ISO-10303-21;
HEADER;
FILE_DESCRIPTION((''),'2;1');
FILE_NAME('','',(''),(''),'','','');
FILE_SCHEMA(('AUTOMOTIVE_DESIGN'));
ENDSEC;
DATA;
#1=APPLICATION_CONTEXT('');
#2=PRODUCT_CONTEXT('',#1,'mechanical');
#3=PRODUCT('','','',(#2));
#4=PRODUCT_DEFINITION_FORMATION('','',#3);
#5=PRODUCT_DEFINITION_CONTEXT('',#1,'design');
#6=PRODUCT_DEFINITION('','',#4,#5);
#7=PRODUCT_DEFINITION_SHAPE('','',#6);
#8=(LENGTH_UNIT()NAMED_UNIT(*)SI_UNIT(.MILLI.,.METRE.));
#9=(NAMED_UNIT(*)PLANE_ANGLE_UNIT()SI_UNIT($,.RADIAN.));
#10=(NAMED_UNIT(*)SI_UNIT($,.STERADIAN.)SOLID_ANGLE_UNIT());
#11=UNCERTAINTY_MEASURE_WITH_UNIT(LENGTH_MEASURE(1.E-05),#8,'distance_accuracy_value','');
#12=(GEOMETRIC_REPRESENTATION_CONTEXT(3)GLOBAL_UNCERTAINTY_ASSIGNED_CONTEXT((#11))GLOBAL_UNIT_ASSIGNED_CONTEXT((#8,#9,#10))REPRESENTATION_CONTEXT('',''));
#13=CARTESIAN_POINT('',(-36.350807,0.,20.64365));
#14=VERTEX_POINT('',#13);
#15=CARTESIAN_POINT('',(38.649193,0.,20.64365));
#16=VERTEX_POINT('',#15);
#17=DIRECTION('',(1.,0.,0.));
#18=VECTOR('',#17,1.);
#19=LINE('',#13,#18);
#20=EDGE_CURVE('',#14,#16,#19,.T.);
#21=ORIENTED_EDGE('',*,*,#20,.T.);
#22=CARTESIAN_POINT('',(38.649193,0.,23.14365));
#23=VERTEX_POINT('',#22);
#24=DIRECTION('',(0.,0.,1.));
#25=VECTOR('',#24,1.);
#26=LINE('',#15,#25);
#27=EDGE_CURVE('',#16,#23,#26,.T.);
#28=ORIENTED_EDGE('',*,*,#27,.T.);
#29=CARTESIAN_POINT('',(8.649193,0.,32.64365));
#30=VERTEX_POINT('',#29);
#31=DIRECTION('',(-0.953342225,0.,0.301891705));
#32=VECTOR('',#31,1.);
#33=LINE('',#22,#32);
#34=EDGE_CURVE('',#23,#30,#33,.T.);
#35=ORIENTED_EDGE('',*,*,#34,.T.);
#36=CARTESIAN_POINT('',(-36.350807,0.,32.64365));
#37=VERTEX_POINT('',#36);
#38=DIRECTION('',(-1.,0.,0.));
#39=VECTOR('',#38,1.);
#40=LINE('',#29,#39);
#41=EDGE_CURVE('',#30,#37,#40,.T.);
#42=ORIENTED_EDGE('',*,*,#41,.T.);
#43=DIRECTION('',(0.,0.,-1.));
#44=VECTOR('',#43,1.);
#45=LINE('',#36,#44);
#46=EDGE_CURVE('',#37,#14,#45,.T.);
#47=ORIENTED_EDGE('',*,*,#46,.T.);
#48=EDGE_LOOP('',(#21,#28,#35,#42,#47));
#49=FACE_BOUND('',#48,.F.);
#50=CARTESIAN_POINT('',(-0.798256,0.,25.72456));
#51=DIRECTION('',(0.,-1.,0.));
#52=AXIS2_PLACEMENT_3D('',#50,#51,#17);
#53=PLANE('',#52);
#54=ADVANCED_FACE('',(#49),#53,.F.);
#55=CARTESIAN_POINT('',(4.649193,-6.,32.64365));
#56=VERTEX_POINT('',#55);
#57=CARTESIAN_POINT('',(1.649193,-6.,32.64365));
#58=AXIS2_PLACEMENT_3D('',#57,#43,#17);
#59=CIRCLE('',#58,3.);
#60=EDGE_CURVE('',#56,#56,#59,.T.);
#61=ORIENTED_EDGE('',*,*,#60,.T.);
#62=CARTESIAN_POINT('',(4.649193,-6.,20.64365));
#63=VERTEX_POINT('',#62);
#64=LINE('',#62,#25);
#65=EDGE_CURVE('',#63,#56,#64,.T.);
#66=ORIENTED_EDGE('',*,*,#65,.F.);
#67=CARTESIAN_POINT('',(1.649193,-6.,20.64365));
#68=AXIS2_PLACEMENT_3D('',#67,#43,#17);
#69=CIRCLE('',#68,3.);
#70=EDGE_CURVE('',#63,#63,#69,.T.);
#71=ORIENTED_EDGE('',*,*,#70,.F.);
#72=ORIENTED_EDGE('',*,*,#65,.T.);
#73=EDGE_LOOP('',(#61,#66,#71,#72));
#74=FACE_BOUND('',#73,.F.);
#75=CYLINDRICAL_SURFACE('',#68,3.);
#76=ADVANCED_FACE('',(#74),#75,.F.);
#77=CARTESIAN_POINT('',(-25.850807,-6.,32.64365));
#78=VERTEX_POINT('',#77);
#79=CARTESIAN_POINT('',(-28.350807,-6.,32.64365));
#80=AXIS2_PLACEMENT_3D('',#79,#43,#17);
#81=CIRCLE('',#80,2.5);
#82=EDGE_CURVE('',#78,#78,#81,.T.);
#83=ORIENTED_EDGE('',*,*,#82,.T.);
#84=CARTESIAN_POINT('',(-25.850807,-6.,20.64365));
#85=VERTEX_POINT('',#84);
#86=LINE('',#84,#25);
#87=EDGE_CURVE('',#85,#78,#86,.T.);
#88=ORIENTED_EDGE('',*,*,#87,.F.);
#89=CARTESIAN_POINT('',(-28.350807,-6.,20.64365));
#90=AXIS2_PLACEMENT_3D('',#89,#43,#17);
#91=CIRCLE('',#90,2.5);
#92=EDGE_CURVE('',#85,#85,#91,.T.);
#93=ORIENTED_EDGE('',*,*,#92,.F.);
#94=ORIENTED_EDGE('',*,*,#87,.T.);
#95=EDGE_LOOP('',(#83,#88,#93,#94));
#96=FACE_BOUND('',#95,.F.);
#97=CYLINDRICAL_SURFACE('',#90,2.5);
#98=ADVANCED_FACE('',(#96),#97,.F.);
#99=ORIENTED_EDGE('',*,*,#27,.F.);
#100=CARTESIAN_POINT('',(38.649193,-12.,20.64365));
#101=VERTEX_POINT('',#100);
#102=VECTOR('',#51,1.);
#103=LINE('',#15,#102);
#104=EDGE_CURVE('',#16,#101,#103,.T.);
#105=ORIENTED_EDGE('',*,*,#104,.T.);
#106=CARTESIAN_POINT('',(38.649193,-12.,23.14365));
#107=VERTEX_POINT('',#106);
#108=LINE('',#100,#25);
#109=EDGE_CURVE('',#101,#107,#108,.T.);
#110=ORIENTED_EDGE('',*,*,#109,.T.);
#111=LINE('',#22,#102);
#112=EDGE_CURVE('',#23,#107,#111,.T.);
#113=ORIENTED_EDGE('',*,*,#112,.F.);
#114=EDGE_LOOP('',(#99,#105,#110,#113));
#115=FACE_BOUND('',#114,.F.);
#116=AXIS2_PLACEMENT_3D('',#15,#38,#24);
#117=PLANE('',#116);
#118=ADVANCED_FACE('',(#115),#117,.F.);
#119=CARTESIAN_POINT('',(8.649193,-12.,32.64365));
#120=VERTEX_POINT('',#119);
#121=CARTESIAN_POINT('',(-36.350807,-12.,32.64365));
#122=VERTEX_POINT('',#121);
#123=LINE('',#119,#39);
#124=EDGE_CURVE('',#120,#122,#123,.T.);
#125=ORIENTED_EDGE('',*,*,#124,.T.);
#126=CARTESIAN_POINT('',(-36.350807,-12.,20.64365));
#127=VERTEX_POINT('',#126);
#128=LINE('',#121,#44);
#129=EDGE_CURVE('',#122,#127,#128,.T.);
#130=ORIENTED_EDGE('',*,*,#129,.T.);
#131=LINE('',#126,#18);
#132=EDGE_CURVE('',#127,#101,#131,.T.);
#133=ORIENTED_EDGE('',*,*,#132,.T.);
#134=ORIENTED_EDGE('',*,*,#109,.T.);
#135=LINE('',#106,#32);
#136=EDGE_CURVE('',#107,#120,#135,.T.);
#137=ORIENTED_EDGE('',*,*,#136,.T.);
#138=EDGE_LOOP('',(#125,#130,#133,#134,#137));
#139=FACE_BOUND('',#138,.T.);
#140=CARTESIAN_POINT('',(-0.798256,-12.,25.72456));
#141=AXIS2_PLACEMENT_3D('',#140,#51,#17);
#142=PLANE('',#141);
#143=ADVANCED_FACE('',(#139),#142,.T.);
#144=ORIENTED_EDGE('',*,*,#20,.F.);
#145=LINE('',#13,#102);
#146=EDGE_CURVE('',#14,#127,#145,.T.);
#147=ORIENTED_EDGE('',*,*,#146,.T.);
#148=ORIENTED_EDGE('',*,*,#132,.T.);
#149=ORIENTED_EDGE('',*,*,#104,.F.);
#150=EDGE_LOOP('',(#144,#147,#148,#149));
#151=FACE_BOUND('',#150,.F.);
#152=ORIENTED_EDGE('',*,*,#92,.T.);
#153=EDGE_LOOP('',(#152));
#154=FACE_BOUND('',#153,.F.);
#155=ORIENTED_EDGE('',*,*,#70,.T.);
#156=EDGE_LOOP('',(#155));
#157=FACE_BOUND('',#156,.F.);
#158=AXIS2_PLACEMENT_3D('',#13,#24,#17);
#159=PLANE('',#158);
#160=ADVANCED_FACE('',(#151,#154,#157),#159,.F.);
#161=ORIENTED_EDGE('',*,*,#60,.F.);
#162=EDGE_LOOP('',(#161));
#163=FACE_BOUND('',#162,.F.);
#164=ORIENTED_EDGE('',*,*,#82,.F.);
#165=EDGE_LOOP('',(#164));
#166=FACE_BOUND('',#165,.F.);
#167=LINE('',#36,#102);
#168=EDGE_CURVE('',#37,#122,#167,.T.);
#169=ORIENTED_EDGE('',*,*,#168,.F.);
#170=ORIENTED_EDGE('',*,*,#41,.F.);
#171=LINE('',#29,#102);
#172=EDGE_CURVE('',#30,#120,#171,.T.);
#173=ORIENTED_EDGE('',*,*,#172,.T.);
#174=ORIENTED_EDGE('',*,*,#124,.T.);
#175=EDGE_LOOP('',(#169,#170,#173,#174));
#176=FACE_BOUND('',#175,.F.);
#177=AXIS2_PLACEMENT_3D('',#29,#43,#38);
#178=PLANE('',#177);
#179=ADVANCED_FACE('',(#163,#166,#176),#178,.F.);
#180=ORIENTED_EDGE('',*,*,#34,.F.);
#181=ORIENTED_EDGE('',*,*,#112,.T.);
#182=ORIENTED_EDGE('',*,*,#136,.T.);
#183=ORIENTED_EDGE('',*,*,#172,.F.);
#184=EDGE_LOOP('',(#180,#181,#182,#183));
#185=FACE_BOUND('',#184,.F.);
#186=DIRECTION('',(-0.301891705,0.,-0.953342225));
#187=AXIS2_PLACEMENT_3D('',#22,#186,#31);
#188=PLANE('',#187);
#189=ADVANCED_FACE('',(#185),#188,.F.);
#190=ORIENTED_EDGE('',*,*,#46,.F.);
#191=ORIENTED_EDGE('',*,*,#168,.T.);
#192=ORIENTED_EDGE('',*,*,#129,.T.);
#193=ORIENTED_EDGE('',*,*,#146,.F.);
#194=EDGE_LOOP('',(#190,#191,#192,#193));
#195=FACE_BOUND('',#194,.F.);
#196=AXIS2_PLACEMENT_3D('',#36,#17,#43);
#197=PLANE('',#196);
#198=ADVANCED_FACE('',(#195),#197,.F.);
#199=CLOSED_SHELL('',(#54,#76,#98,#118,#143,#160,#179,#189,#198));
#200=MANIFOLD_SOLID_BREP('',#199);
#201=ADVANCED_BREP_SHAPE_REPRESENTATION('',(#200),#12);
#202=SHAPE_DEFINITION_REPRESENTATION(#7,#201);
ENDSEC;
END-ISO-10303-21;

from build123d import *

# Parameters (mm, degrees)
F1_DEPTH = 12
F2_R     = 3
F3_DEPTH = 25
F4_R     = 2.5
F5_DEPTH = 25


with BuildPart() as f1:
    # F0 (on Front) → F1 (new body)
    with BuildSketch(Plane.XZ):
        Polygon((8.649193, 32.64365), (-36.350807, 32.64365), (-36.350807, 20.64365), (38.649193, 20.64365), (38.649193, 23.14365), align=None)
    extrude(amount=F1_DEPTH)

    # F2 (on face) → F3 (cut)
    with BuildSketch(Plane(origin=(0, 0, 20.64365), x_dir=(1, 0, 0), z_dir=(0, 0, -1))):
        with Locations((1.649193, 6)):
            Circle(F2_R)
    extrude(amount=-F3_DEPTH, mode=Mode.SUBTRACT)

    # F4 (on face) → F5 (cut)
    with BuildSketch(Plane(origin=(0, 0, 20.64365), x_dir=(1, 0, 0), z_dir=(0, 0, -1))):
        with Locations((-28.350807, 6)):
            Circle(F4_R)
    extrude(amount=-F5_DEPTH, mode=Mode.SUBTRACT)


solid = f1.part
